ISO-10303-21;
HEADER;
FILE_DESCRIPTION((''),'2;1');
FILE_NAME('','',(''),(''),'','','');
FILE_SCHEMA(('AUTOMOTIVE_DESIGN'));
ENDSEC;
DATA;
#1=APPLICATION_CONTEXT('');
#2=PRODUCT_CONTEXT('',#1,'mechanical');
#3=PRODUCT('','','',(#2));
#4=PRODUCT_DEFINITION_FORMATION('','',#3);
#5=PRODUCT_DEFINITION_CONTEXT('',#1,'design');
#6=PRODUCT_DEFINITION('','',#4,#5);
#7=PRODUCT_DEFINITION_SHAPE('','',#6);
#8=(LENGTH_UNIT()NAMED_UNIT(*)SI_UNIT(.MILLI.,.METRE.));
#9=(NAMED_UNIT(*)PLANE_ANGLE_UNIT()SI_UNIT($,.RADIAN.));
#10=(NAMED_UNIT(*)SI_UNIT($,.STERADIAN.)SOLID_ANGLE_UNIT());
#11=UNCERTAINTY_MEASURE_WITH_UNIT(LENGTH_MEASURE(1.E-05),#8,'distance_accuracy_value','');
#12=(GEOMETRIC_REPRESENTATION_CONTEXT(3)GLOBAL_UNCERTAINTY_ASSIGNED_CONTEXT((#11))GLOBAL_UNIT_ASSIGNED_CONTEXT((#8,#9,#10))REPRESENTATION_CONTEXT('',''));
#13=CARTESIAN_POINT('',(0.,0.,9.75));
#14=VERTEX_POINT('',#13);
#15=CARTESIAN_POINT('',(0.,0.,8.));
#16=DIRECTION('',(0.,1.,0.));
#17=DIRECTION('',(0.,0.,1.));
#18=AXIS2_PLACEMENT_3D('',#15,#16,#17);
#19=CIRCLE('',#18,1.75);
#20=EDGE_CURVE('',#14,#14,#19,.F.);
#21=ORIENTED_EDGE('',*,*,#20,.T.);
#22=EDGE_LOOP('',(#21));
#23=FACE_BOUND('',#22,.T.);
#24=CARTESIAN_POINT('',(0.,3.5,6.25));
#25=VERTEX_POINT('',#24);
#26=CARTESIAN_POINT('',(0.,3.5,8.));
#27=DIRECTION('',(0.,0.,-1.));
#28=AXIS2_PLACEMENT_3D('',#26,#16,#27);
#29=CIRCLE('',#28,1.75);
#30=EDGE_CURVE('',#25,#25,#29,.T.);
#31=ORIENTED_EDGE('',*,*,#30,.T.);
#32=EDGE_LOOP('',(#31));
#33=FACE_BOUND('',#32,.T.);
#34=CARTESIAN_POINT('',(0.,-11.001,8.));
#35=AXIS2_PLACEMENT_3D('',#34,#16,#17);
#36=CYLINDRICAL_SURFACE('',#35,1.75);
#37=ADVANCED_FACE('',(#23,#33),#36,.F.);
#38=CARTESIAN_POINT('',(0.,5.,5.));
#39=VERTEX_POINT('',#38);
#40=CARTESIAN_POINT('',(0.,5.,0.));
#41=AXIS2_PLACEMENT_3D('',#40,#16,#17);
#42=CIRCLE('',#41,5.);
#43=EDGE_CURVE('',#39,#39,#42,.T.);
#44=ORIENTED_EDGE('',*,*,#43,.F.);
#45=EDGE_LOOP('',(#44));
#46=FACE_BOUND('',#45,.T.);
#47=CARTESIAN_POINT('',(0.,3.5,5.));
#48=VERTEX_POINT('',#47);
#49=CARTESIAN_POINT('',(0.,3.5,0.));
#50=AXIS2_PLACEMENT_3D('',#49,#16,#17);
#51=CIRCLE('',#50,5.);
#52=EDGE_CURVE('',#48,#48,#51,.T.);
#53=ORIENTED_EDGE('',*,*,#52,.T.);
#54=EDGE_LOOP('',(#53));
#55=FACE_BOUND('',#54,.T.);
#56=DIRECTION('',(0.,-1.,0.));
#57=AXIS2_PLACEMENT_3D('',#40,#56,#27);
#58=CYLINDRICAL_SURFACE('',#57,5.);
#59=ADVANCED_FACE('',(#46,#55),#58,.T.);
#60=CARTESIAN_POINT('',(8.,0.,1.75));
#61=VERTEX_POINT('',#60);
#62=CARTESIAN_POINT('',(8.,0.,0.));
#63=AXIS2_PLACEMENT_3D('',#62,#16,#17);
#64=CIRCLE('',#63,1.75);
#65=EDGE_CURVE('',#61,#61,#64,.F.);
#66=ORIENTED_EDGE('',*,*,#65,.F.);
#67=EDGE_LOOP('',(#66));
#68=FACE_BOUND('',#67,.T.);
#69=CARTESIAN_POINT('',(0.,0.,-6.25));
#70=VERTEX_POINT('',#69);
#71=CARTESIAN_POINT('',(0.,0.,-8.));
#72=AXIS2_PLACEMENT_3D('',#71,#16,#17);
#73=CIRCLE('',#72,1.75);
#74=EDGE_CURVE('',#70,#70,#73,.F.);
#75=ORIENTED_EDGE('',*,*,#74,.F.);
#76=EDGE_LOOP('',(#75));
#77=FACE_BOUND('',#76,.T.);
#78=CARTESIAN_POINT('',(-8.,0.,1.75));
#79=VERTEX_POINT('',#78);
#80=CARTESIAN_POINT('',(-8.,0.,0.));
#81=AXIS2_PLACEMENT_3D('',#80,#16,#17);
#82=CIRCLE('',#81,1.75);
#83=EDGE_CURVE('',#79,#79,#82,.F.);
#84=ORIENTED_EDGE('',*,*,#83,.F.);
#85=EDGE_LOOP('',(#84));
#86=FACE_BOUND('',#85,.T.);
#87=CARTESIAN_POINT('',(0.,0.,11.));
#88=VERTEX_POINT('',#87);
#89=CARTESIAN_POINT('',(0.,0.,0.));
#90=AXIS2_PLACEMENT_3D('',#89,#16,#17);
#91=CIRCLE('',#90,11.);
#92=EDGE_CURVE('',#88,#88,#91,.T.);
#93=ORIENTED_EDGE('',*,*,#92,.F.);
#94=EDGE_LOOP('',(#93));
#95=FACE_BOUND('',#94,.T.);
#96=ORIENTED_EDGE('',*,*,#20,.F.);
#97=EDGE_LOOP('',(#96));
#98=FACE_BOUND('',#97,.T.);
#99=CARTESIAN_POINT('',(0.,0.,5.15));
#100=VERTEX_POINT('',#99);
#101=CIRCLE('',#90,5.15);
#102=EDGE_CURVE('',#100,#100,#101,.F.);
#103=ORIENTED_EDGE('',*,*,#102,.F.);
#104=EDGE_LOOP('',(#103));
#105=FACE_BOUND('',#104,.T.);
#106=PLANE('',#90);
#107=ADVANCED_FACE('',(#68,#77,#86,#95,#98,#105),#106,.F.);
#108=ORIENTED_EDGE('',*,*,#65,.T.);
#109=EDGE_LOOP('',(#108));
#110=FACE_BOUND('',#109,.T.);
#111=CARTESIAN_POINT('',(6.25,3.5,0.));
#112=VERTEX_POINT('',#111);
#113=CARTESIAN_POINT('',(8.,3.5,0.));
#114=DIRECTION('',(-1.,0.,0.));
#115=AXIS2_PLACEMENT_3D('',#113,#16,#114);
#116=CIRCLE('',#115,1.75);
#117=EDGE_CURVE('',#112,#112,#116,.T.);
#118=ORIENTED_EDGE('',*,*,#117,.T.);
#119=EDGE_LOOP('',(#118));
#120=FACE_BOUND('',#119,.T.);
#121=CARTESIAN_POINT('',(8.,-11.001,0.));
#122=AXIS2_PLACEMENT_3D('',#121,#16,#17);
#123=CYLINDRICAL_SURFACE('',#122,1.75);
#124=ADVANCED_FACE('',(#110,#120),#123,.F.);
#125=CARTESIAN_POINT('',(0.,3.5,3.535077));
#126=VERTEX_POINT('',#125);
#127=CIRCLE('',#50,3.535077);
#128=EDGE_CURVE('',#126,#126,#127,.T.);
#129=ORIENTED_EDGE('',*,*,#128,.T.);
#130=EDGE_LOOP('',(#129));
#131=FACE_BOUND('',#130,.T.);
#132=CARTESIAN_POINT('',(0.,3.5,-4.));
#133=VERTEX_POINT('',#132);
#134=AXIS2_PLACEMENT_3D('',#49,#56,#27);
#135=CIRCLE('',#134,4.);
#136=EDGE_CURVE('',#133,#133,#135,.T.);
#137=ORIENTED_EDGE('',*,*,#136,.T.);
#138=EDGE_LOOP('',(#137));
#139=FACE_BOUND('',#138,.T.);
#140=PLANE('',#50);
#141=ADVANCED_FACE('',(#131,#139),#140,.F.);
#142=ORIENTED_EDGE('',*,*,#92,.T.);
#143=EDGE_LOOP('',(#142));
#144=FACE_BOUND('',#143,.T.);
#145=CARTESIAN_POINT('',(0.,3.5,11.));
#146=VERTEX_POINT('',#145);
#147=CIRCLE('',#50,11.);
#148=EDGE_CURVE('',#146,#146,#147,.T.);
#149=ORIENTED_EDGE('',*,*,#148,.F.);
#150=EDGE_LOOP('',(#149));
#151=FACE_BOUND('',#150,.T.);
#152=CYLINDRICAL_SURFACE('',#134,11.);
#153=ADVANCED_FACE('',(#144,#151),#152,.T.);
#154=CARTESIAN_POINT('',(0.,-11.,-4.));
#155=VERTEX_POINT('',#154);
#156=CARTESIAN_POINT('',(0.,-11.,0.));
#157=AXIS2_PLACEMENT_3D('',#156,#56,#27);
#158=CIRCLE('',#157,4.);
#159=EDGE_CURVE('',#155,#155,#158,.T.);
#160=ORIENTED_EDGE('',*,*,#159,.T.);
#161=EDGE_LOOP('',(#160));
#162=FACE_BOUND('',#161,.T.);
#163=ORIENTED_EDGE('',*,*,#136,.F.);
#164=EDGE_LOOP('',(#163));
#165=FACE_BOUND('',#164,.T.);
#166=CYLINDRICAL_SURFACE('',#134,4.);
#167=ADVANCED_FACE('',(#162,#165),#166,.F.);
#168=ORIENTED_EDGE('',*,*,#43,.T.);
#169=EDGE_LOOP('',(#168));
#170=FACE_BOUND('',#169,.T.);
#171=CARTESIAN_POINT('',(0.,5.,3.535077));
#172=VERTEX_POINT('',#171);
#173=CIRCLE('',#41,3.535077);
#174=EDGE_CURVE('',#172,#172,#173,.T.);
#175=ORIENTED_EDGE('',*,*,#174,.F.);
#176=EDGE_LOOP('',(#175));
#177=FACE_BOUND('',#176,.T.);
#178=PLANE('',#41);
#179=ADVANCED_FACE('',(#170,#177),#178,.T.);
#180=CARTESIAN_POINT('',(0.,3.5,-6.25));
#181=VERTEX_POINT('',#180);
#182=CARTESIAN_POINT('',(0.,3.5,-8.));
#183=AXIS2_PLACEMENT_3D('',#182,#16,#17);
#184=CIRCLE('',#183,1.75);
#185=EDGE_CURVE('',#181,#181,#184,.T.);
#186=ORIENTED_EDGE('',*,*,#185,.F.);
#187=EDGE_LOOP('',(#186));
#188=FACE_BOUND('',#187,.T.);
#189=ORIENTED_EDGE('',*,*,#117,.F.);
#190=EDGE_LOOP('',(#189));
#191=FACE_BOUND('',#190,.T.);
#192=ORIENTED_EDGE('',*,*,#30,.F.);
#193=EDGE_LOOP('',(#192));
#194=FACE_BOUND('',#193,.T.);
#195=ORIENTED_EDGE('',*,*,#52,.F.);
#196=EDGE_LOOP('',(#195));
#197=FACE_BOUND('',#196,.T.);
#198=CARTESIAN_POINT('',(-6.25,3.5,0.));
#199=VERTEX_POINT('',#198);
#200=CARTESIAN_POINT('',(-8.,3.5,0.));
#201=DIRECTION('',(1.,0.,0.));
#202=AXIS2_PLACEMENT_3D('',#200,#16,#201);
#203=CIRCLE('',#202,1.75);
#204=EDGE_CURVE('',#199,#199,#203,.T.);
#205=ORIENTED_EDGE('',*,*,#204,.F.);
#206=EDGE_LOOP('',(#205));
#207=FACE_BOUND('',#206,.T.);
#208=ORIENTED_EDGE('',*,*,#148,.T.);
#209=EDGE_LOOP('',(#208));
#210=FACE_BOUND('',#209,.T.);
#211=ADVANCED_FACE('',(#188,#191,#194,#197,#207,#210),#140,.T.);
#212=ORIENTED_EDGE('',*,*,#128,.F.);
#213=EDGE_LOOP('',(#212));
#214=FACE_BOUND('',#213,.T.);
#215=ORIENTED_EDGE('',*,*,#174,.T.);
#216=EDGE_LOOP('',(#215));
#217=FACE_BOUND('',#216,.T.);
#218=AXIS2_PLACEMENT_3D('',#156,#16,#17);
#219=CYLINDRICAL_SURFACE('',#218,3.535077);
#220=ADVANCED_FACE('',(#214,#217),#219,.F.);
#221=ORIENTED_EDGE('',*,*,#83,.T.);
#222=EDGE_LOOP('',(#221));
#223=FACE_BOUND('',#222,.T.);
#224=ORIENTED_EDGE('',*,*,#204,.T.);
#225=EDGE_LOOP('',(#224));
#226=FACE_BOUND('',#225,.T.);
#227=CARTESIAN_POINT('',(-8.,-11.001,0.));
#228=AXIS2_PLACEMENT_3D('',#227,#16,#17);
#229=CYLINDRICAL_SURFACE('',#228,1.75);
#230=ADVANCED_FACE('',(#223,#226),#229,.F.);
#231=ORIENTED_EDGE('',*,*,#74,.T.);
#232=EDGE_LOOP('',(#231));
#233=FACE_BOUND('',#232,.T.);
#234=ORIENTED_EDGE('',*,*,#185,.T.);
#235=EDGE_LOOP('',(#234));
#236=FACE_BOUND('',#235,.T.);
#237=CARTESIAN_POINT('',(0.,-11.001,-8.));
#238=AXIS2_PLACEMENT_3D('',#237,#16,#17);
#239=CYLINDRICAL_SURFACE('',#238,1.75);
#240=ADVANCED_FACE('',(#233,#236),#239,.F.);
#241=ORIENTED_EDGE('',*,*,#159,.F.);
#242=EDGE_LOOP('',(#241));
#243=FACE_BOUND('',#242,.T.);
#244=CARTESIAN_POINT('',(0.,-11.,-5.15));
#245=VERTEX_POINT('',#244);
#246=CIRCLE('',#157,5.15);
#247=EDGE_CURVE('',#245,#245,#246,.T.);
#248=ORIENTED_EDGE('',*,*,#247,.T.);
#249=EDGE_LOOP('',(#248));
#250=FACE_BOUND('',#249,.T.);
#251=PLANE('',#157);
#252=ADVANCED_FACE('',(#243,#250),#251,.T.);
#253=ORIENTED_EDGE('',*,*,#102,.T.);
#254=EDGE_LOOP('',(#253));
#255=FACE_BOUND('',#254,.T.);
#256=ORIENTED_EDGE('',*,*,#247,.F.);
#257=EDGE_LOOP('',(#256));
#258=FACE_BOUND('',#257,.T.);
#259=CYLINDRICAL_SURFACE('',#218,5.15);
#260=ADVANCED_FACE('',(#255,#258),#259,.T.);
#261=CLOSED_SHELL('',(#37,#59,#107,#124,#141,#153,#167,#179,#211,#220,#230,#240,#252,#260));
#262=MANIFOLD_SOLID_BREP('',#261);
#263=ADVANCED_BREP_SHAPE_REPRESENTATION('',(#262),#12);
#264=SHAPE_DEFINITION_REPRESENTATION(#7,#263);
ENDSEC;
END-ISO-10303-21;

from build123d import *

# Parameters (mm, degrees)
SKETCH_1_R               = 11
EXTRUDE_2_DEPTH          = 3.5
SKETCH_2_R               = 5.15
EXTRUDE_3_DEPTH          = 11
CUT_EXTRUDE_1_DEPTH      = 22.266170318
CUT_EXTRUDE_1_DEPTH_BACK = 22.266170318
SKETCH_3_R               = 4
CUT_EXTRUDE_4_REACH      = 23.266
SKETCH_4_R               = 1.75
PATTERN_CIRCULAR_6_COUNT = 4
SKETCH_7_R               = 5
EXTRUDE_4_DEPTH          = 1.5
SKETCH_8_R               = 3.535076685
CUT_EXTRUDE_5_DEPTH      = 23.315913604


with BuildPart() as part:
    # 草图1 → 凸台-拉伸2 (new body)
    with BuildSketch(Plane(origin=(0, 0, 0), x_dir=(1, 0, 0), z_dir=(0, 1, 0))):
        with Locations(Location((0, 0, 0), (0, 0, 270))):
            Circle(SKETCH_1_R)
    extrude(amount=EXTRUDE_2_DEPTH)

    # 草图2 → 凸台-拉伸3 (add)
    with BuildSketch(Plane.XZ):
        with Locations(Location((0, 0, 0), (0, 0, 90))):
            Circle(SKETCH_2_R)
    extrude(amount=EXTRUDE_3_DEPTH)

    # 草图3 → 切除-拉伸1 (cut, two sides: drawn at the far end of the back side and taken through both)
    with BuildSketch(Plane.XZ.offset(11).offset(-CUT_EXTRUDE_1_DEPTH_BACK)):
        with Locations(Location((0, 0, 0), (0, 0, 270))):
            Circle(SKETCH_3_R)
    extrude(amount=CUT_EXTRUDE_1_DEPTH + CUT_EXTRUDE_1_DEPTH_BACK, mode=Mode.SUBTRACT)

    # 草图4 → 切除-拉伸4 (cut, up to next)
    with BuildSketch(Plane(origin=(0, 3.5, 0), x_dir=(1, 0, 0), z_dir=(0, 1, 0)), mode=Mode.PRIVATE) as cut_extrude_4_sk1:
        with Locations(Location((0, 8, 0), (0, 0, 270))):
            Circle(SKETCH_4_R)
    cut_extrude_4_tool1 = extrude(cut_extrude_4_sk1.sketch, amount=-CUT_EXTRUDE_4_REACH, mode=Mode.PRIVATE) & part.part
    cut_extrude_4 = cut_extrude_4_tool1.solids().sort_by_distance((0, 3.5, -8))[0]
    add(cut_extrude_4, mode=Mode.SUBTRACT)

    # 阵列(圆周)6: 切除-拉伸4 ×4 about axis
    pattern_circular_6_axis = Axis((0, 0, 0), (0, 1, 0))
    for i in range(1, PATTERN_CIRCULAR_6_COUNT):
        add(cut_extrude_4.rotate(pattern_circular_6_axis, i * 360 / PATTERN_CIRCULAR_6_COUNT), mode=Mode.SUBTRACT)

    # 草图7 → 凸台-拉伸4 (add)
    with BuildSketch(Plane(origin=(0, 3.5, 0), x_dir=(1, 0, 0), z_dir=(0, 1, 0))):
        with Locations(Location((0, 0, 0), (0, 0, 270))):
            Circle(SKETCH_7_R)
    extrude(amount=EXTRUDE_4_DEPTH)

    # 草图8 → 切除-拉伸5 (cut, through all)
    with BuildSketch(Plane(origin=(0, 5, 0), x_dir=(1, 0, 0), z_dir=(0, 1, 0))):
        with Locations(Location((0, 0, 0), (0, 0, 270))):
            Circle(SKETCH_8_R)
    extrude(amount=-CUT_EXTRUDE_5_DEPTH, mode=Mode.SUBTRACT)


solid = part.part
